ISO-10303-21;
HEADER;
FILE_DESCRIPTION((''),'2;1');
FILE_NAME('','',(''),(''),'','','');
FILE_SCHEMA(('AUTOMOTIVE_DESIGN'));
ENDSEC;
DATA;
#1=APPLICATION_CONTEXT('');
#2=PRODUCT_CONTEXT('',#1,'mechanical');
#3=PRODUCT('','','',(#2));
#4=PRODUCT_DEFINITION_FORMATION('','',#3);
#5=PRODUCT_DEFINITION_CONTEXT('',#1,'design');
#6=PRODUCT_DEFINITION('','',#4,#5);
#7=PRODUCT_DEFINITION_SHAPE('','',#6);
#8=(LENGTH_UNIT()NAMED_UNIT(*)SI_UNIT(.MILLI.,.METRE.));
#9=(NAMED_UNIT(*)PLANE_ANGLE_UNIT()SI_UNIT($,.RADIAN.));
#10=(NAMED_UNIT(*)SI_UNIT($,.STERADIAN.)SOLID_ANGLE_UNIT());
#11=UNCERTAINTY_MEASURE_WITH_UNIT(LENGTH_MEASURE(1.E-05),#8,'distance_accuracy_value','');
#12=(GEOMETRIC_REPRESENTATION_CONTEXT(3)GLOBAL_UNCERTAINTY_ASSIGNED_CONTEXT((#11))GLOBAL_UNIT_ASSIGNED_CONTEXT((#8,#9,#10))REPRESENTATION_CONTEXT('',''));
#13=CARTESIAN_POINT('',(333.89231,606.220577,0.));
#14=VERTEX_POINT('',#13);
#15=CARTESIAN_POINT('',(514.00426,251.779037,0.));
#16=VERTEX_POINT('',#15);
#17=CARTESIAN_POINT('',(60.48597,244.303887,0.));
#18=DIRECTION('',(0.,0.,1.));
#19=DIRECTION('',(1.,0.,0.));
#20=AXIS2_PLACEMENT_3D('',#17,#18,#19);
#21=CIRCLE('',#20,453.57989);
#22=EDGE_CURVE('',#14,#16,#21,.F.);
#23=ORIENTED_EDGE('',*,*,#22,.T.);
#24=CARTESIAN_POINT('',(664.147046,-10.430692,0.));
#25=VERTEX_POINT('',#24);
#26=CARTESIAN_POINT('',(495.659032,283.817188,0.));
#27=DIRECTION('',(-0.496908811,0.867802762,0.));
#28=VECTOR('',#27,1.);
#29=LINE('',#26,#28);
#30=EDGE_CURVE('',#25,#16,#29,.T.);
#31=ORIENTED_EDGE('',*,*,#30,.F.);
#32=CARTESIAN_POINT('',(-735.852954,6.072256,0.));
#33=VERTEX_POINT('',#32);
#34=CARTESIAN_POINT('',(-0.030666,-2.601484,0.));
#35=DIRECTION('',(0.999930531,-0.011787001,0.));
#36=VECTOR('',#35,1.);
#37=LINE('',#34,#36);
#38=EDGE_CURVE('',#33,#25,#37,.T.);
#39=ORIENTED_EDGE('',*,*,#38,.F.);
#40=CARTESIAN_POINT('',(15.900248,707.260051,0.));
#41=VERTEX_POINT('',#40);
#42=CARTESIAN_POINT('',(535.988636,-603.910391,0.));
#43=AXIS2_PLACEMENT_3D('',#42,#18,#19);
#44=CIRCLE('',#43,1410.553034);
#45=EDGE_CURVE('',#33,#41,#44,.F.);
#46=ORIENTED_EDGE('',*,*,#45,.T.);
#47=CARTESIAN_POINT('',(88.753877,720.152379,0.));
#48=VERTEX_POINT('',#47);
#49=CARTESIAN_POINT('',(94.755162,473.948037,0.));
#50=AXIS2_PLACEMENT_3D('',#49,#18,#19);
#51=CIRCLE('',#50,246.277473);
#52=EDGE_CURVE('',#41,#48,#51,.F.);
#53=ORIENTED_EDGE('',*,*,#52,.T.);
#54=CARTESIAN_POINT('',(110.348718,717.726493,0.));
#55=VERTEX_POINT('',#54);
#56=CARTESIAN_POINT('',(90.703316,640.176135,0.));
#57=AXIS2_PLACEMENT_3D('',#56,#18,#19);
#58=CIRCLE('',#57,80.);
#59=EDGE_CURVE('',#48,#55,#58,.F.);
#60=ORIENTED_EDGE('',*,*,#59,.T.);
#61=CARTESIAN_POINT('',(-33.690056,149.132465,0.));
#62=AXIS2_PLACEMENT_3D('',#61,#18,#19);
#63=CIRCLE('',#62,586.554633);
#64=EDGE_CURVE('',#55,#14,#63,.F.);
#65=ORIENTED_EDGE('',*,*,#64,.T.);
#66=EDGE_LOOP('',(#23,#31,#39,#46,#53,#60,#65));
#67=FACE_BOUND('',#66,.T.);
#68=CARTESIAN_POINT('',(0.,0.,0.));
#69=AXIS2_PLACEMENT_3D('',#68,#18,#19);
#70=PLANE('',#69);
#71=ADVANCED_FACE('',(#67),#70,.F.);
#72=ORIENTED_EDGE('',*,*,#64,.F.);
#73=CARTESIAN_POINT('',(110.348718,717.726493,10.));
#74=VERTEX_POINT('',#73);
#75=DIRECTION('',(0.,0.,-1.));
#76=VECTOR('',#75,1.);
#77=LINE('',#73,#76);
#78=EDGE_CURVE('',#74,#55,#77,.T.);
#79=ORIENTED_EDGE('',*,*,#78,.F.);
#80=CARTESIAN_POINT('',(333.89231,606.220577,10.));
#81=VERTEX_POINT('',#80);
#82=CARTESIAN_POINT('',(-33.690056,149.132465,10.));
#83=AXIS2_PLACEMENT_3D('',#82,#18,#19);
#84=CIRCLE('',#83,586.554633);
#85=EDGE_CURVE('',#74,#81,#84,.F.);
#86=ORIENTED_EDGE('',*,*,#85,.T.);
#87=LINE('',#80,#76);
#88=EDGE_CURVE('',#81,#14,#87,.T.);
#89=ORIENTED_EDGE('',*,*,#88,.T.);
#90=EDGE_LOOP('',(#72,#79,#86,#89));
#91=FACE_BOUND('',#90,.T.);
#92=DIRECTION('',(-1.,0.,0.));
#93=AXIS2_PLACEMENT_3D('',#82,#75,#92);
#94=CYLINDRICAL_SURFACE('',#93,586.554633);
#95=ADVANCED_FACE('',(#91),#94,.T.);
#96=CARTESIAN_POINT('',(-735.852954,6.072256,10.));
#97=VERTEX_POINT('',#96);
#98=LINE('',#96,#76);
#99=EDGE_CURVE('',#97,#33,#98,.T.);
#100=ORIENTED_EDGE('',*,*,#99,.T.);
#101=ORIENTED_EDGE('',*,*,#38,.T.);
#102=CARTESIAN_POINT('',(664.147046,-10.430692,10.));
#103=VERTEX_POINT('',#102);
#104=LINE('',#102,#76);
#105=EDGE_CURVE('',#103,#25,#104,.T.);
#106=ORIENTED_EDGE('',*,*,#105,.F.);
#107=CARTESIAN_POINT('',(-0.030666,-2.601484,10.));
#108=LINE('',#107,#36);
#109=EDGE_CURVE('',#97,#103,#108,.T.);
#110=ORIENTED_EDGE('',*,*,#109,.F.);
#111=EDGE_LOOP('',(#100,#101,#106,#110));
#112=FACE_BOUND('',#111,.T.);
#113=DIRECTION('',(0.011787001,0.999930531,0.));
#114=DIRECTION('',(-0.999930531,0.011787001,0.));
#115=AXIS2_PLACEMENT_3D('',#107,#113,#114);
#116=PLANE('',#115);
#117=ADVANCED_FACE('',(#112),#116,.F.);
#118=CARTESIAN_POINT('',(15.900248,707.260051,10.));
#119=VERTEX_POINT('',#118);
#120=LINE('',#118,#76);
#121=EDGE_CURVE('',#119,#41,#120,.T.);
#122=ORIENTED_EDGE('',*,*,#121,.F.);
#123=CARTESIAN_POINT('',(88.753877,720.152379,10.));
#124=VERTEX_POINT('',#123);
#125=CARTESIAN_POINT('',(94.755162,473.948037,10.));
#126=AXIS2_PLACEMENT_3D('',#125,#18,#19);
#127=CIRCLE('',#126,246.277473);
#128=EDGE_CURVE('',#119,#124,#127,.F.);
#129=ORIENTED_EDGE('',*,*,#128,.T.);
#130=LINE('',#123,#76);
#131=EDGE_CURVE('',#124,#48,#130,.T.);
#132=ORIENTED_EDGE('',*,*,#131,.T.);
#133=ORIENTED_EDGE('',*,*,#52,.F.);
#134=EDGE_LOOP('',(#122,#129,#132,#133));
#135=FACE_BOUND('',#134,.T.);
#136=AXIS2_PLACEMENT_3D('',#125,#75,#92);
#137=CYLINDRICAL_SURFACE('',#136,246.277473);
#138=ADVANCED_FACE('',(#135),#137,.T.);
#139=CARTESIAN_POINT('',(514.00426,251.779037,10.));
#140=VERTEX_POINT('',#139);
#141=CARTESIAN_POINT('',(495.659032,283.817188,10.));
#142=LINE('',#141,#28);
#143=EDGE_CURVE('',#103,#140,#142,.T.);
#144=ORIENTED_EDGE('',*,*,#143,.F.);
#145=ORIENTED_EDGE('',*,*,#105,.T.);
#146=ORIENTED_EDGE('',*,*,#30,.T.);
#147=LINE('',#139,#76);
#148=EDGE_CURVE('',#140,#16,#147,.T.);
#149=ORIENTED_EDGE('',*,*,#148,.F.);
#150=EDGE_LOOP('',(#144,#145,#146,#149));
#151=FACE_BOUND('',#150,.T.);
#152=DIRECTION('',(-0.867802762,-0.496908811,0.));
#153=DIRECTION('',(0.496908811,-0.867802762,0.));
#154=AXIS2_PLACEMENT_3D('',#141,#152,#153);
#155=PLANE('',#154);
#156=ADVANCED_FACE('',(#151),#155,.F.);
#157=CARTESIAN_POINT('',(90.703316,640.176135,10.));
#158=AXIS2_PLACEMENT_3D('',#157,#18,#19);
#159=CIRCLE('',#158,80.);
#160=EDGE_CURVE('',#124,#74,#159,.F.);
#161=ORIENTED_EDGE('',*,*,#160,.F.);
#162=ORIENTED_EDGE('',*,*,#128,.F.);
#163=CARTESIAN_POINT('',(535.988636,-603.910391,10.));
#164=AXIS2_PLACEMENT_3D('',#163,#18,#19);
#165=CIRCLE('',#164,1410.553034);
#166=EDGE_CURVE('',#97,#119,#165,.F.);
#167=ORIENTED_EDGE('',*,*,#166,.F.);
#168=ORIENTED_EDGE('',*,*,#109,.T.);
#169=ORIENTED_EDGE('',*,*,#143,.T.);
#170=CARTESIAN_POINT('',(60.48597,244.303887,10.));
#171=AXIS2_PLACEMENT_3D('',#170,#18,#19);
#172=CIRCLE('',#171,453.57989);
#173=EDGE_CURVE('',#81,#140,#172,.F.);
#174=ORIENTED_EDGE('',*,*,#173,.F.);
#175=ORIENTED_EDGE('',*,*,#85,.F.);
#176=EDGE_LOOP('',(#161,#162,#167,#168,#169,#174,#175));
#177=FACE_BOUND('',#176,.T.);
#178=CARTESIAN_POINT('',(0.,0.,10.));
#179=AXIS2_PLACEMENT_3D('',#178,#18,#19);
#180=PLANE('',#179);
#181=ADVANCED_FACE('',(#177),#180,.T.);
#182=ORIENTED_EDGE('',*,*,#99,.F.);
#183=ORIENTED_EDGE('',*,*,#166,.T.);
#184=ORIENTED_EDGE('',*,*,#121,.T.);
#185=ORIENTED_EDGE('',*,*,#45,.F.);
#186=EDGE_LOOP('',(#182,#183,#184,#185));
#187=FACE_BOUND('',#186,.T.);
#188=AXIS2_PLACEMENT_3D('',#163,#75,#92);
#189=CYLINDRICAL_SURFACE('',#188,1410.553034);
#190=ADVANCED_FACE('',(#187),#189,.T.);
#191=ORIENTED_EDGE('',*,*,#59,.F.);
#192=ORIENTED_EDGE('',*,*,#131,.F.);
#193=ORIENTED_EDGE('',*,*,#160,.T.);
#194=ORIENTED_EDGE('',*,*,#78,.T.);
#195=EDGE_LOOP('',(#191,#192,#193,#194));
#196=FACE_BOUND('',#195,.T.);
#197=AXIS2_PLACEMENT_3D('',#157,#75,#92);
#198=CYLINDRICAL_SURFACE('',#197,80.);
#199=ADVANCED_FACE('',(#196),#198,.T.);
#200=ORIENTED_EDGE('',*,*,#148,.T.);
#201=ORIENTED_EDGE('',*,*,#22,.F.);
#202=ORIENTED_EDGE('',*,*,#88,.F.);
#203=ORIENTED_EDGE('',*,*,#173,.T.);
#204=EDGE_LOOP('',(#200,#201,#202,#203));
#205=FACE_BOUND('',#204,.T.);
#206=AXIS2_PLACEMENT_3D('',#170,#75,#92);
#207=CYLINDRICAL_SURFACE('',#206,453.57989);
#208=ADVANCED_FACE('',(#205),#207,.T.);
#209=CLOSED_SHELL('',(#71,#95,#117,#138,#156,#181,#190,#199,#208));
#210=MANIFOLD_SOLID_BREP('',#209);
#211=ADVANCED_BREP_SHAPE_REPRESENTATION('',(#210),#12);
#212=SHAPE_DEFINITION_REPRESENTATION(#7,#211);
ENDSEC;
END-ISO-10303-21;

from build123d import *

# Parameters (mm, degrees)
Y_KSEKLIK_EKSTR_ZYON1_DEPTH = 10


with BuildPart() as part:
    # Çizim1 → Yükseklik-Ekstrüzyon1 (new body)
    with BuildSketch(Plane.XY):
        with BuildLine():
            ThreePointArc((15.900247885, 707.260051266), (-426.128478979, 427.588769164), (-735.852954334, 6.072256116))
            Line((-735.852954334, 6.072256116), (664.147045666, -10.43069172))
            Line((664.147045666, -10.43069172), (514.004259651, 251.779036937))
            ThreePointArc((514.004259651, 251.779036937), (464.852209342, 449.785422775), (333.892309545, 606.22057716))
            ThreePointArc((333.892309545, 606.22057716), (228.125604356, 674.012353772), (110.348718239, 717.726493351))
            ThreePointArc((110.348718239, 717.726493351), (99.634050041, 719.676084087), (88.753877168, 720.152379041))
            ThreePointArc((88.753877168, 720.152379041), (51.840168654, 716.457617872), (15.900247885, 707.260051266))
        make_face()
    extrude(amount=Y_KSEKLIK_EKSTR_ZYON1_DEPTH)


solid = part.part
